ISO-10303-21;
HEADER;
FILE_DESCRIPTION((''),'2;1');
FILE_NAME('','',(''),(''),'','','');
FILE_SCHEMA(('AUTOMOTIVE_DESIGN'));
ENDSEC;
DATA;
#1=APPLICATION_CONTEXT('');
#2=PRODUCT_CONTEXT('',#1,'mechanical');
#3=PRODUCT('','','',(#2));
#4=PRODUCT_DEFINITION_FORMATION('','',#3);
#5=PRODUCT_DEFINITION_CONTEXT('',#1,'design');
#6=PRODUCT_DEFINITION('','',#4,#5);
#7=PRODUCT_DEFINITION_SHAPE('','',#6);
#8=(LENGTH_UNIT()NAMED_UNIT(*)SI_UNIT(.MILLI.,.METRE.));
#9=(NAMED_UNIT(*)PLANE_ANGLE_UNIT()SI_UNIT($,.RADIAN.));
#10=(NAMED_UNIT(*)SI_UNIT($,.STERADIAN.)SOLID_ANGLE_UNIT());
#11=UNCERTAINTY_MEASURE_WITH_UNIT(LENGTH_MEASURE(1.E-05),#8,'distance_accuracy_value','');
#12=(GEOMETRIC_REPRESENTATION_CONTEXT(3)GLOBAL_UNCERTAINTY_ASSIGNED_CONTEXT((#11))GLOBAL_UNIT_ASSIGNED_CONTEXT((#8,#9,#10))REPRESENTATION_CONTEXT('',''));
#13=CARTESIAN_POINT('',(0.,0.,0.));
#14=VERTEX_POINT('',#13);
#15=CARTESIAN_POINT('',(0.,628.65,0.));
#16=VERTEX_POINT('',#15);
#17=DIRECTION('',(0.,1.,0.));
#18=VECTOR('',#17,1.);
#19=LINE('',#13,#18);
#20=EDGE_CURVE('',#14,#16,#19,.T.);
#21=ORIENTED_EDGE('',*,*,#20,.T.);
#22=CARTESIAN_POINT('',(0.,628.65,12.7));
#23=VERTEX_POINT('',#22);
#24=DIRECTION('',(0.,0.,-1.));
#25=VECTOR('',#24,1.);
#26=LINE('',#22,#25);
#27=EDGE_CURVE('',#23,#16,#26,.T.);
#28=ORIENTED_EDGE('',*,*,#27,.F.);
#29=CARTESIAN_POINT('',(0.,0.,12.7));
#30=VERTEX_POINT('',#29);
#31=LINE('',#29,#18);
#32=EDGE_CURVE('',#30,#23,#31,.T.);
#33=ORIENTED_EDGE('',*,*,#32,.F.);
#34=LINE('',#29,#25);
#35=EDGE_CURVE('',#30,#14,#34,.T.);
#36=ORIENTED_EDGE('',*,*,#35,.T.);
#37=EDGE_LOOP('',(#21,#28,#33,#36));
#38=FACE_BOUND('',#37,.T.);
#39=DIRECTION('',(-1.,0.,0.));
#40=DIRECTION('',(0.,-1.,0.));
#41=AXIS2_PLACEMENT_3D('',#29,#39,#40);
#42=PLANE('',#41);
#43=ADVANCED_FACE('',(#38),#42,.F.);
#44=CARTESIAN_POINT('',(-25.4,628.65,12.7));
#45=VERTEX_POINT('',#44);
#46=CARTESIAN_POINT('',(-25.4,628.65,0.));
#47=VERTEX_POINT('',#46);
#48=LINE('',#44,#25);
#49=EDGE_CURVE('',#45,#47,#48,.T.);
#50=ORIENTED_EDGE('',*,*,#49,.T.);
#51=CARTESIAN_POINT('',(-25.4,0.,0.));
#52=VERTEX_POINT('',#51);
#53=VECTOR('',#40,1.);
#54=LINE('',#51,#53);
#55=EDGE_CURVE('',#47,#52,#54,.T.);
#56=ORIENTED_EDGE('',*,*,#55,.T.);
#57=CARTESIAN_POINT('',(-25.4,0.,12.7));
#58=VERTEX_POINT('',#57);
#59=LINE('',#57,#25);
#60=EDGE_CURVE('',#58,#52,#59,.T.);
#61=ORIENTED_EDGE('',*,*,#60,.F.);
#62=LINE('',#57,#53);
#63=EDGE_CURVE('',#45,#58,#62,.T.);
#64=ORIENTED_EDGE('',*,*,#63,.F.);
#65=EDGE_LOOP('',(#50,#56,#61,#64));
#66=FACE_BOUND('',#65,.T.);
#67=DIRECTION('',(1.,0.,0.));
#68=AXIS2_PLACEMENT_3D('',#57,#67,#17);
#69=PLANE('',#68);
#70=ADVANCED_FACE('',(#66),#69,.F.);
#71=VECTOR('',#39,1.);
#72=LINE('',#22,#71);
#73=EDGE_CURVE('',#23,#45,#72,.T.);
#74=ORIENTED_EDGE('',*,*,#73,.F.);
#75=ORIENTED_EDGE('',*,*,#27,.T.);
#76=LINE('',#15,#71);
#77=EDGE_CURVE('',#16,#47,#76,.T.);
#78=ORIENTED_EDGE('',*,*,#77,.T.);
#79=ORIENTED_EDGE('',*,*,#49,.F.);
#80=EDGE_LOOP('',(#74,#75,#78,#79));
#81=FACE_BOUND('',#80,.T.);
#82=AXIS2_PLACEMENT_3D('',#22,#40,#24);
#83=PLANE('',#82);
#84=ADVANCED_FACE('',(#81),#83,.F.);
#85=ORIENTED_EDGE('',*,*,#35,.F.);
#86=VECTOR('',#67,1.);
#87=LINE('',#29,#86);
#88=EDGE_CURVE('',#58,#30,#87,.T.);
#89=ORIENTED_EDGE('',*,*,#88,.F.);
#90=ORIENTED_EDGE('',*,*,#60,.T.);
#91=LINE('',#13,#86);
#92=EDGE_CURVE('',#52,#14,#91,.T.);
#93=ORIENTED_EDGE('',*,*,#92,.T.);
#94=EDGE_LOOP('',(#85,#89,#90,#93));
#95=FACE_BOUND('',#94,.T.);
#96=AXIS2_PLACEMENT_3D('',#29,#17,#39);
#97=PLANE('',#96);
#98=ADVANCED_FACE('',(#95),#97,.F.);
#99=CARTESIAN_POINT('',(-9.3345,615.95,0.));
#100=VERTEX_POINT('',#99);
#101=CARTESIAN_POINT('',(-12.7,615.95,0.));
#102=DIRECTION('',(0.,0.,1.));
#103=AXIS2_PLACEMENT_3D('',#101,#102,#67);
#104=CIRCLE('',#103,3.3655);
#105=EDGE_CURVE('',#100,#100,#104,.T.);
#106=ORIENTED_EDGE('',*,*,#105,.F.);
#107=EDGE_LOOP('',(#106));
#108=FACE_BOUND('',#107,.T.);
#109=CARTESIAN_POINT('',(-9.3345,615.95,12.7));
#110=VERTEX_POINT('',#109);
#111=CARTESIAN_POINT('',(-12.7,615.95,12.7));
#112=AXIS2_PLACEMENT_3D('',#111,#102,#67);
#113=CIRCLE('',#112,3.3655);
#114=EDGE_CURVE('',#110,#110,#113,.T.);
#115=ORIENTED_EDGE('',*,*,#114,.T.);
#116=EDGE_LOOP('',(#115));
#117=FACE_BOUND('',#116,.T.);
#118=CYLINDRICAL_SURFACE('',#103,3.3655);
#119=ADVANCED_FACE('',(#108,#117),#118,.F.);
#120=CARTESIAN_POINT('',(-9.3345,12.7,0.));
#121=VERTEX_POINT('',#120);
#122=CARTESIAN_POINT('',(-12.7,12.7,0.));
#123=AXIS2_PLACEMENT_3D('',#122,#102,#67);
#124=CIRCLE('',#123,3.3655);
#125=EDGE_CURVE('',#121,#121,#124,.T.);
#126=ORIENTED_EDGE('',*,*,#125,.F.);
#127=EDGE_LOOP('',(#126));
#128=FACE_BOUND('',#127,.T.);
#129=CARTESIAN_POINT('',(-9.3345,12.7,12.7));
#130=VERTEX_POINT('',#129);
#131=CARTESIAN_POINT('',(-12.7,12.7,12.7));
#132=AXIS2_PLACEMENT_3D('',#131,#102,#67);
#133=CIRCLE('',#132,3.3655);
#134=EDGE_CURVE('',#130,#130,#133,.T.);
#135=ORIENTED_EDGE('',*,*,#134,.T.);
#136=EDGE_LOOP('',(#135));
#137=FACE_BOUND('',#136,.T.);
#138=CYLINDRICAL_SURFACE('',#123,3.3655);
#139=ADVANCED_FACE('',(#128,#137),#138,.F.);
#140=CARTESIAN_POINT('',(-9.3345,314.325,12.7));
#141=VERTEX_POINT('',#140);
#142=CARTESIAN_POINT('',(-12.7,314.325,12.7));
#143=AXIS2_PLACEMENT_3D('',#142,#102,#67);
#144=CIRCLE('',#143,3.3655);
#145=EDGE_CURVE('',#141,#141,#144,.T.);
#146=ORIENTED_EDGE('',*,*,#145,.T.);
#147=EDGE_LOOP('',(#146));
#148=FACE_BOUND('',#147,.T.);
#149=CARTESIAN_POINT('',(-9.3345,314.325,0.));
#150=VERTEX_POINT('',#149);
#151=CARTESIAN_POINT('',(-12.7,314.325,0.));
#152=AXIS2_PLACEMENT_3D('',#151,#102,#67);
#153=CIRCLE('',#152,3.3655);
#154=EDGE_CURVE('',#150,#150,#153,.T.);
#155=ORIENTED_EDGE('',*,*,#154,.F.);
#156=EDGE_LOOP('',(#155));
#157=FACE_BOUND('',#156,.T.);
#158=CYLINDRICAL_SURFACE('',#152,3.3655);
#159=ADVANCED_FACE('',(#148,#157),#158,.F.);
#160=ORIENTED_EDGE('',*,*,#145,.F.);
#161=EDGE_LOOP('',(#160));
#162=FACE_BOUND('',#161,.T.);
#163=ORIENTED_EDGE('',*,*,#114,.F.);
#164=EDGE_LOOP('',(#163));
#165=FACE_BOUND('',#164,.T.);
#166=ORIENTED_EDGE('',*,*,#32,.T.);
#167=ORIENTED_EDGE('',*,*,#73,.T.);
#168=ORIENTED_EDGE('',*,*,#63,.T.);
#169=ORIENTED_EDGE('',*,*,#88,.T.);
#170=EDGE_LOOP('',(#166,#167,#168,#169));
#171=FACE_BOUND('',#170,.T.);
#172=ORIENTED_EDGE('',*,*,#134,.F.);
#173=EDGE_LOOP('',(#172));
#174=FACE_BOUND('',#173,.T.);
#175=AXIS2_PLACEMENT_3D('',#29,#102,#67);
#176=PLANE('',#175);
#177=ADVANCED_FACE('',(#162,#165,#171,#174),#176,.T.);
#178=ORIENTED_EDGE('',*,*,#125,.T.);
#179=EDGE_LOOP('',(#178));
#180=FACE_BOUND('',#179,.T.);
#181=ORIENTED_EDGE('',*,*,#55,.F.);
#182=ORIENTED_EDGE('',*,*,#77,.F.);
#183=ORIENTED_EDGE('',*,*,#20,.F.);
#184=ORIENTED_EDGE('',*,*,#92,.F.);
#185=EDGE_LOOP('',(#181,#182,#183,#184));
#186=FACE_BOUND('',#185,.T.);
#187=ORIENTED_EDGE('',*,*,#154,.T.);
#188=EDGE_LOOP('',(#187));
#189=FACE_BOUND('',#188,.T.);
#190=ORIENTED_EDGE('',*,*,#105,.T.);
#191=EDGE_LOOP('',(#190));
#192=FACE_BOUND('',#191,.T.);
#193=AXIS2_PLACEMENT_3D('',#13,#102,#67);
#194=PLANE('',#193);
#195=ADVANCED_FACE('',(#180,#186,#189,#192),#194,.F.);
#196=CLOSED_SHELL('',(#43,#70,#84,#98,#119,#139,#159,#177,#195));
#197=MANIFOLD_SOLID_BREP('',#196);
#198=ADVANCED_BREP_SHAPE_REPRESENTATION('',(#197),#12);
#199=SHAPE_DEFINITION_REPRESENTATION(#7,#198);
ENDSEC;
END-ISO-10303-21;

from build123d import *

# Parameters (mm, degrees)
SKETCH1_W           = 25.4
SKETCH1_H           = 628.65
BOSS_EXTRUDE1_DEPTH = 12.7
SKETCH2_R           = 3.3655
CUT_EXTRUDE1_DEPTH  = 13.7
LPATTERN1_COUNT     = 3
LPATTERN1_PITCH     = 301.625


with BuildPart() as part:
    # Sketch1 → Boss-Extrude1 (new body)
    with BuildSketch(Plane.XY):
        with Locations((-12.7, 314.325)):
            Rectangle(SKETCH1_W, SKETCH1_H)
    extrude(amount=BOSS_EXTRUDE1_DEPTH)

    # Sketch2 → Cut-Extrude1 (cut, through all)
    with BuildSketch(Plane.XY.offset(12.7)):
        with Locations((-12.7, 12.7)):
            Circle(SKETCH2_R)
    cut_extrude1 = extrude(amount=-CUT_EXTRUDE1_DEPTH, mode=Mode.SUBTRACT)

    # LPattern1: Cut-Extrude1 ×3
    with Locations(*[(0, i * LPATTERN1_PITCH, 0) for i in range(1, LPATTERN1_COUNT)]):
        add(cut_extrude1, mode=Mode.SUBTRACT)


solid = part.part
